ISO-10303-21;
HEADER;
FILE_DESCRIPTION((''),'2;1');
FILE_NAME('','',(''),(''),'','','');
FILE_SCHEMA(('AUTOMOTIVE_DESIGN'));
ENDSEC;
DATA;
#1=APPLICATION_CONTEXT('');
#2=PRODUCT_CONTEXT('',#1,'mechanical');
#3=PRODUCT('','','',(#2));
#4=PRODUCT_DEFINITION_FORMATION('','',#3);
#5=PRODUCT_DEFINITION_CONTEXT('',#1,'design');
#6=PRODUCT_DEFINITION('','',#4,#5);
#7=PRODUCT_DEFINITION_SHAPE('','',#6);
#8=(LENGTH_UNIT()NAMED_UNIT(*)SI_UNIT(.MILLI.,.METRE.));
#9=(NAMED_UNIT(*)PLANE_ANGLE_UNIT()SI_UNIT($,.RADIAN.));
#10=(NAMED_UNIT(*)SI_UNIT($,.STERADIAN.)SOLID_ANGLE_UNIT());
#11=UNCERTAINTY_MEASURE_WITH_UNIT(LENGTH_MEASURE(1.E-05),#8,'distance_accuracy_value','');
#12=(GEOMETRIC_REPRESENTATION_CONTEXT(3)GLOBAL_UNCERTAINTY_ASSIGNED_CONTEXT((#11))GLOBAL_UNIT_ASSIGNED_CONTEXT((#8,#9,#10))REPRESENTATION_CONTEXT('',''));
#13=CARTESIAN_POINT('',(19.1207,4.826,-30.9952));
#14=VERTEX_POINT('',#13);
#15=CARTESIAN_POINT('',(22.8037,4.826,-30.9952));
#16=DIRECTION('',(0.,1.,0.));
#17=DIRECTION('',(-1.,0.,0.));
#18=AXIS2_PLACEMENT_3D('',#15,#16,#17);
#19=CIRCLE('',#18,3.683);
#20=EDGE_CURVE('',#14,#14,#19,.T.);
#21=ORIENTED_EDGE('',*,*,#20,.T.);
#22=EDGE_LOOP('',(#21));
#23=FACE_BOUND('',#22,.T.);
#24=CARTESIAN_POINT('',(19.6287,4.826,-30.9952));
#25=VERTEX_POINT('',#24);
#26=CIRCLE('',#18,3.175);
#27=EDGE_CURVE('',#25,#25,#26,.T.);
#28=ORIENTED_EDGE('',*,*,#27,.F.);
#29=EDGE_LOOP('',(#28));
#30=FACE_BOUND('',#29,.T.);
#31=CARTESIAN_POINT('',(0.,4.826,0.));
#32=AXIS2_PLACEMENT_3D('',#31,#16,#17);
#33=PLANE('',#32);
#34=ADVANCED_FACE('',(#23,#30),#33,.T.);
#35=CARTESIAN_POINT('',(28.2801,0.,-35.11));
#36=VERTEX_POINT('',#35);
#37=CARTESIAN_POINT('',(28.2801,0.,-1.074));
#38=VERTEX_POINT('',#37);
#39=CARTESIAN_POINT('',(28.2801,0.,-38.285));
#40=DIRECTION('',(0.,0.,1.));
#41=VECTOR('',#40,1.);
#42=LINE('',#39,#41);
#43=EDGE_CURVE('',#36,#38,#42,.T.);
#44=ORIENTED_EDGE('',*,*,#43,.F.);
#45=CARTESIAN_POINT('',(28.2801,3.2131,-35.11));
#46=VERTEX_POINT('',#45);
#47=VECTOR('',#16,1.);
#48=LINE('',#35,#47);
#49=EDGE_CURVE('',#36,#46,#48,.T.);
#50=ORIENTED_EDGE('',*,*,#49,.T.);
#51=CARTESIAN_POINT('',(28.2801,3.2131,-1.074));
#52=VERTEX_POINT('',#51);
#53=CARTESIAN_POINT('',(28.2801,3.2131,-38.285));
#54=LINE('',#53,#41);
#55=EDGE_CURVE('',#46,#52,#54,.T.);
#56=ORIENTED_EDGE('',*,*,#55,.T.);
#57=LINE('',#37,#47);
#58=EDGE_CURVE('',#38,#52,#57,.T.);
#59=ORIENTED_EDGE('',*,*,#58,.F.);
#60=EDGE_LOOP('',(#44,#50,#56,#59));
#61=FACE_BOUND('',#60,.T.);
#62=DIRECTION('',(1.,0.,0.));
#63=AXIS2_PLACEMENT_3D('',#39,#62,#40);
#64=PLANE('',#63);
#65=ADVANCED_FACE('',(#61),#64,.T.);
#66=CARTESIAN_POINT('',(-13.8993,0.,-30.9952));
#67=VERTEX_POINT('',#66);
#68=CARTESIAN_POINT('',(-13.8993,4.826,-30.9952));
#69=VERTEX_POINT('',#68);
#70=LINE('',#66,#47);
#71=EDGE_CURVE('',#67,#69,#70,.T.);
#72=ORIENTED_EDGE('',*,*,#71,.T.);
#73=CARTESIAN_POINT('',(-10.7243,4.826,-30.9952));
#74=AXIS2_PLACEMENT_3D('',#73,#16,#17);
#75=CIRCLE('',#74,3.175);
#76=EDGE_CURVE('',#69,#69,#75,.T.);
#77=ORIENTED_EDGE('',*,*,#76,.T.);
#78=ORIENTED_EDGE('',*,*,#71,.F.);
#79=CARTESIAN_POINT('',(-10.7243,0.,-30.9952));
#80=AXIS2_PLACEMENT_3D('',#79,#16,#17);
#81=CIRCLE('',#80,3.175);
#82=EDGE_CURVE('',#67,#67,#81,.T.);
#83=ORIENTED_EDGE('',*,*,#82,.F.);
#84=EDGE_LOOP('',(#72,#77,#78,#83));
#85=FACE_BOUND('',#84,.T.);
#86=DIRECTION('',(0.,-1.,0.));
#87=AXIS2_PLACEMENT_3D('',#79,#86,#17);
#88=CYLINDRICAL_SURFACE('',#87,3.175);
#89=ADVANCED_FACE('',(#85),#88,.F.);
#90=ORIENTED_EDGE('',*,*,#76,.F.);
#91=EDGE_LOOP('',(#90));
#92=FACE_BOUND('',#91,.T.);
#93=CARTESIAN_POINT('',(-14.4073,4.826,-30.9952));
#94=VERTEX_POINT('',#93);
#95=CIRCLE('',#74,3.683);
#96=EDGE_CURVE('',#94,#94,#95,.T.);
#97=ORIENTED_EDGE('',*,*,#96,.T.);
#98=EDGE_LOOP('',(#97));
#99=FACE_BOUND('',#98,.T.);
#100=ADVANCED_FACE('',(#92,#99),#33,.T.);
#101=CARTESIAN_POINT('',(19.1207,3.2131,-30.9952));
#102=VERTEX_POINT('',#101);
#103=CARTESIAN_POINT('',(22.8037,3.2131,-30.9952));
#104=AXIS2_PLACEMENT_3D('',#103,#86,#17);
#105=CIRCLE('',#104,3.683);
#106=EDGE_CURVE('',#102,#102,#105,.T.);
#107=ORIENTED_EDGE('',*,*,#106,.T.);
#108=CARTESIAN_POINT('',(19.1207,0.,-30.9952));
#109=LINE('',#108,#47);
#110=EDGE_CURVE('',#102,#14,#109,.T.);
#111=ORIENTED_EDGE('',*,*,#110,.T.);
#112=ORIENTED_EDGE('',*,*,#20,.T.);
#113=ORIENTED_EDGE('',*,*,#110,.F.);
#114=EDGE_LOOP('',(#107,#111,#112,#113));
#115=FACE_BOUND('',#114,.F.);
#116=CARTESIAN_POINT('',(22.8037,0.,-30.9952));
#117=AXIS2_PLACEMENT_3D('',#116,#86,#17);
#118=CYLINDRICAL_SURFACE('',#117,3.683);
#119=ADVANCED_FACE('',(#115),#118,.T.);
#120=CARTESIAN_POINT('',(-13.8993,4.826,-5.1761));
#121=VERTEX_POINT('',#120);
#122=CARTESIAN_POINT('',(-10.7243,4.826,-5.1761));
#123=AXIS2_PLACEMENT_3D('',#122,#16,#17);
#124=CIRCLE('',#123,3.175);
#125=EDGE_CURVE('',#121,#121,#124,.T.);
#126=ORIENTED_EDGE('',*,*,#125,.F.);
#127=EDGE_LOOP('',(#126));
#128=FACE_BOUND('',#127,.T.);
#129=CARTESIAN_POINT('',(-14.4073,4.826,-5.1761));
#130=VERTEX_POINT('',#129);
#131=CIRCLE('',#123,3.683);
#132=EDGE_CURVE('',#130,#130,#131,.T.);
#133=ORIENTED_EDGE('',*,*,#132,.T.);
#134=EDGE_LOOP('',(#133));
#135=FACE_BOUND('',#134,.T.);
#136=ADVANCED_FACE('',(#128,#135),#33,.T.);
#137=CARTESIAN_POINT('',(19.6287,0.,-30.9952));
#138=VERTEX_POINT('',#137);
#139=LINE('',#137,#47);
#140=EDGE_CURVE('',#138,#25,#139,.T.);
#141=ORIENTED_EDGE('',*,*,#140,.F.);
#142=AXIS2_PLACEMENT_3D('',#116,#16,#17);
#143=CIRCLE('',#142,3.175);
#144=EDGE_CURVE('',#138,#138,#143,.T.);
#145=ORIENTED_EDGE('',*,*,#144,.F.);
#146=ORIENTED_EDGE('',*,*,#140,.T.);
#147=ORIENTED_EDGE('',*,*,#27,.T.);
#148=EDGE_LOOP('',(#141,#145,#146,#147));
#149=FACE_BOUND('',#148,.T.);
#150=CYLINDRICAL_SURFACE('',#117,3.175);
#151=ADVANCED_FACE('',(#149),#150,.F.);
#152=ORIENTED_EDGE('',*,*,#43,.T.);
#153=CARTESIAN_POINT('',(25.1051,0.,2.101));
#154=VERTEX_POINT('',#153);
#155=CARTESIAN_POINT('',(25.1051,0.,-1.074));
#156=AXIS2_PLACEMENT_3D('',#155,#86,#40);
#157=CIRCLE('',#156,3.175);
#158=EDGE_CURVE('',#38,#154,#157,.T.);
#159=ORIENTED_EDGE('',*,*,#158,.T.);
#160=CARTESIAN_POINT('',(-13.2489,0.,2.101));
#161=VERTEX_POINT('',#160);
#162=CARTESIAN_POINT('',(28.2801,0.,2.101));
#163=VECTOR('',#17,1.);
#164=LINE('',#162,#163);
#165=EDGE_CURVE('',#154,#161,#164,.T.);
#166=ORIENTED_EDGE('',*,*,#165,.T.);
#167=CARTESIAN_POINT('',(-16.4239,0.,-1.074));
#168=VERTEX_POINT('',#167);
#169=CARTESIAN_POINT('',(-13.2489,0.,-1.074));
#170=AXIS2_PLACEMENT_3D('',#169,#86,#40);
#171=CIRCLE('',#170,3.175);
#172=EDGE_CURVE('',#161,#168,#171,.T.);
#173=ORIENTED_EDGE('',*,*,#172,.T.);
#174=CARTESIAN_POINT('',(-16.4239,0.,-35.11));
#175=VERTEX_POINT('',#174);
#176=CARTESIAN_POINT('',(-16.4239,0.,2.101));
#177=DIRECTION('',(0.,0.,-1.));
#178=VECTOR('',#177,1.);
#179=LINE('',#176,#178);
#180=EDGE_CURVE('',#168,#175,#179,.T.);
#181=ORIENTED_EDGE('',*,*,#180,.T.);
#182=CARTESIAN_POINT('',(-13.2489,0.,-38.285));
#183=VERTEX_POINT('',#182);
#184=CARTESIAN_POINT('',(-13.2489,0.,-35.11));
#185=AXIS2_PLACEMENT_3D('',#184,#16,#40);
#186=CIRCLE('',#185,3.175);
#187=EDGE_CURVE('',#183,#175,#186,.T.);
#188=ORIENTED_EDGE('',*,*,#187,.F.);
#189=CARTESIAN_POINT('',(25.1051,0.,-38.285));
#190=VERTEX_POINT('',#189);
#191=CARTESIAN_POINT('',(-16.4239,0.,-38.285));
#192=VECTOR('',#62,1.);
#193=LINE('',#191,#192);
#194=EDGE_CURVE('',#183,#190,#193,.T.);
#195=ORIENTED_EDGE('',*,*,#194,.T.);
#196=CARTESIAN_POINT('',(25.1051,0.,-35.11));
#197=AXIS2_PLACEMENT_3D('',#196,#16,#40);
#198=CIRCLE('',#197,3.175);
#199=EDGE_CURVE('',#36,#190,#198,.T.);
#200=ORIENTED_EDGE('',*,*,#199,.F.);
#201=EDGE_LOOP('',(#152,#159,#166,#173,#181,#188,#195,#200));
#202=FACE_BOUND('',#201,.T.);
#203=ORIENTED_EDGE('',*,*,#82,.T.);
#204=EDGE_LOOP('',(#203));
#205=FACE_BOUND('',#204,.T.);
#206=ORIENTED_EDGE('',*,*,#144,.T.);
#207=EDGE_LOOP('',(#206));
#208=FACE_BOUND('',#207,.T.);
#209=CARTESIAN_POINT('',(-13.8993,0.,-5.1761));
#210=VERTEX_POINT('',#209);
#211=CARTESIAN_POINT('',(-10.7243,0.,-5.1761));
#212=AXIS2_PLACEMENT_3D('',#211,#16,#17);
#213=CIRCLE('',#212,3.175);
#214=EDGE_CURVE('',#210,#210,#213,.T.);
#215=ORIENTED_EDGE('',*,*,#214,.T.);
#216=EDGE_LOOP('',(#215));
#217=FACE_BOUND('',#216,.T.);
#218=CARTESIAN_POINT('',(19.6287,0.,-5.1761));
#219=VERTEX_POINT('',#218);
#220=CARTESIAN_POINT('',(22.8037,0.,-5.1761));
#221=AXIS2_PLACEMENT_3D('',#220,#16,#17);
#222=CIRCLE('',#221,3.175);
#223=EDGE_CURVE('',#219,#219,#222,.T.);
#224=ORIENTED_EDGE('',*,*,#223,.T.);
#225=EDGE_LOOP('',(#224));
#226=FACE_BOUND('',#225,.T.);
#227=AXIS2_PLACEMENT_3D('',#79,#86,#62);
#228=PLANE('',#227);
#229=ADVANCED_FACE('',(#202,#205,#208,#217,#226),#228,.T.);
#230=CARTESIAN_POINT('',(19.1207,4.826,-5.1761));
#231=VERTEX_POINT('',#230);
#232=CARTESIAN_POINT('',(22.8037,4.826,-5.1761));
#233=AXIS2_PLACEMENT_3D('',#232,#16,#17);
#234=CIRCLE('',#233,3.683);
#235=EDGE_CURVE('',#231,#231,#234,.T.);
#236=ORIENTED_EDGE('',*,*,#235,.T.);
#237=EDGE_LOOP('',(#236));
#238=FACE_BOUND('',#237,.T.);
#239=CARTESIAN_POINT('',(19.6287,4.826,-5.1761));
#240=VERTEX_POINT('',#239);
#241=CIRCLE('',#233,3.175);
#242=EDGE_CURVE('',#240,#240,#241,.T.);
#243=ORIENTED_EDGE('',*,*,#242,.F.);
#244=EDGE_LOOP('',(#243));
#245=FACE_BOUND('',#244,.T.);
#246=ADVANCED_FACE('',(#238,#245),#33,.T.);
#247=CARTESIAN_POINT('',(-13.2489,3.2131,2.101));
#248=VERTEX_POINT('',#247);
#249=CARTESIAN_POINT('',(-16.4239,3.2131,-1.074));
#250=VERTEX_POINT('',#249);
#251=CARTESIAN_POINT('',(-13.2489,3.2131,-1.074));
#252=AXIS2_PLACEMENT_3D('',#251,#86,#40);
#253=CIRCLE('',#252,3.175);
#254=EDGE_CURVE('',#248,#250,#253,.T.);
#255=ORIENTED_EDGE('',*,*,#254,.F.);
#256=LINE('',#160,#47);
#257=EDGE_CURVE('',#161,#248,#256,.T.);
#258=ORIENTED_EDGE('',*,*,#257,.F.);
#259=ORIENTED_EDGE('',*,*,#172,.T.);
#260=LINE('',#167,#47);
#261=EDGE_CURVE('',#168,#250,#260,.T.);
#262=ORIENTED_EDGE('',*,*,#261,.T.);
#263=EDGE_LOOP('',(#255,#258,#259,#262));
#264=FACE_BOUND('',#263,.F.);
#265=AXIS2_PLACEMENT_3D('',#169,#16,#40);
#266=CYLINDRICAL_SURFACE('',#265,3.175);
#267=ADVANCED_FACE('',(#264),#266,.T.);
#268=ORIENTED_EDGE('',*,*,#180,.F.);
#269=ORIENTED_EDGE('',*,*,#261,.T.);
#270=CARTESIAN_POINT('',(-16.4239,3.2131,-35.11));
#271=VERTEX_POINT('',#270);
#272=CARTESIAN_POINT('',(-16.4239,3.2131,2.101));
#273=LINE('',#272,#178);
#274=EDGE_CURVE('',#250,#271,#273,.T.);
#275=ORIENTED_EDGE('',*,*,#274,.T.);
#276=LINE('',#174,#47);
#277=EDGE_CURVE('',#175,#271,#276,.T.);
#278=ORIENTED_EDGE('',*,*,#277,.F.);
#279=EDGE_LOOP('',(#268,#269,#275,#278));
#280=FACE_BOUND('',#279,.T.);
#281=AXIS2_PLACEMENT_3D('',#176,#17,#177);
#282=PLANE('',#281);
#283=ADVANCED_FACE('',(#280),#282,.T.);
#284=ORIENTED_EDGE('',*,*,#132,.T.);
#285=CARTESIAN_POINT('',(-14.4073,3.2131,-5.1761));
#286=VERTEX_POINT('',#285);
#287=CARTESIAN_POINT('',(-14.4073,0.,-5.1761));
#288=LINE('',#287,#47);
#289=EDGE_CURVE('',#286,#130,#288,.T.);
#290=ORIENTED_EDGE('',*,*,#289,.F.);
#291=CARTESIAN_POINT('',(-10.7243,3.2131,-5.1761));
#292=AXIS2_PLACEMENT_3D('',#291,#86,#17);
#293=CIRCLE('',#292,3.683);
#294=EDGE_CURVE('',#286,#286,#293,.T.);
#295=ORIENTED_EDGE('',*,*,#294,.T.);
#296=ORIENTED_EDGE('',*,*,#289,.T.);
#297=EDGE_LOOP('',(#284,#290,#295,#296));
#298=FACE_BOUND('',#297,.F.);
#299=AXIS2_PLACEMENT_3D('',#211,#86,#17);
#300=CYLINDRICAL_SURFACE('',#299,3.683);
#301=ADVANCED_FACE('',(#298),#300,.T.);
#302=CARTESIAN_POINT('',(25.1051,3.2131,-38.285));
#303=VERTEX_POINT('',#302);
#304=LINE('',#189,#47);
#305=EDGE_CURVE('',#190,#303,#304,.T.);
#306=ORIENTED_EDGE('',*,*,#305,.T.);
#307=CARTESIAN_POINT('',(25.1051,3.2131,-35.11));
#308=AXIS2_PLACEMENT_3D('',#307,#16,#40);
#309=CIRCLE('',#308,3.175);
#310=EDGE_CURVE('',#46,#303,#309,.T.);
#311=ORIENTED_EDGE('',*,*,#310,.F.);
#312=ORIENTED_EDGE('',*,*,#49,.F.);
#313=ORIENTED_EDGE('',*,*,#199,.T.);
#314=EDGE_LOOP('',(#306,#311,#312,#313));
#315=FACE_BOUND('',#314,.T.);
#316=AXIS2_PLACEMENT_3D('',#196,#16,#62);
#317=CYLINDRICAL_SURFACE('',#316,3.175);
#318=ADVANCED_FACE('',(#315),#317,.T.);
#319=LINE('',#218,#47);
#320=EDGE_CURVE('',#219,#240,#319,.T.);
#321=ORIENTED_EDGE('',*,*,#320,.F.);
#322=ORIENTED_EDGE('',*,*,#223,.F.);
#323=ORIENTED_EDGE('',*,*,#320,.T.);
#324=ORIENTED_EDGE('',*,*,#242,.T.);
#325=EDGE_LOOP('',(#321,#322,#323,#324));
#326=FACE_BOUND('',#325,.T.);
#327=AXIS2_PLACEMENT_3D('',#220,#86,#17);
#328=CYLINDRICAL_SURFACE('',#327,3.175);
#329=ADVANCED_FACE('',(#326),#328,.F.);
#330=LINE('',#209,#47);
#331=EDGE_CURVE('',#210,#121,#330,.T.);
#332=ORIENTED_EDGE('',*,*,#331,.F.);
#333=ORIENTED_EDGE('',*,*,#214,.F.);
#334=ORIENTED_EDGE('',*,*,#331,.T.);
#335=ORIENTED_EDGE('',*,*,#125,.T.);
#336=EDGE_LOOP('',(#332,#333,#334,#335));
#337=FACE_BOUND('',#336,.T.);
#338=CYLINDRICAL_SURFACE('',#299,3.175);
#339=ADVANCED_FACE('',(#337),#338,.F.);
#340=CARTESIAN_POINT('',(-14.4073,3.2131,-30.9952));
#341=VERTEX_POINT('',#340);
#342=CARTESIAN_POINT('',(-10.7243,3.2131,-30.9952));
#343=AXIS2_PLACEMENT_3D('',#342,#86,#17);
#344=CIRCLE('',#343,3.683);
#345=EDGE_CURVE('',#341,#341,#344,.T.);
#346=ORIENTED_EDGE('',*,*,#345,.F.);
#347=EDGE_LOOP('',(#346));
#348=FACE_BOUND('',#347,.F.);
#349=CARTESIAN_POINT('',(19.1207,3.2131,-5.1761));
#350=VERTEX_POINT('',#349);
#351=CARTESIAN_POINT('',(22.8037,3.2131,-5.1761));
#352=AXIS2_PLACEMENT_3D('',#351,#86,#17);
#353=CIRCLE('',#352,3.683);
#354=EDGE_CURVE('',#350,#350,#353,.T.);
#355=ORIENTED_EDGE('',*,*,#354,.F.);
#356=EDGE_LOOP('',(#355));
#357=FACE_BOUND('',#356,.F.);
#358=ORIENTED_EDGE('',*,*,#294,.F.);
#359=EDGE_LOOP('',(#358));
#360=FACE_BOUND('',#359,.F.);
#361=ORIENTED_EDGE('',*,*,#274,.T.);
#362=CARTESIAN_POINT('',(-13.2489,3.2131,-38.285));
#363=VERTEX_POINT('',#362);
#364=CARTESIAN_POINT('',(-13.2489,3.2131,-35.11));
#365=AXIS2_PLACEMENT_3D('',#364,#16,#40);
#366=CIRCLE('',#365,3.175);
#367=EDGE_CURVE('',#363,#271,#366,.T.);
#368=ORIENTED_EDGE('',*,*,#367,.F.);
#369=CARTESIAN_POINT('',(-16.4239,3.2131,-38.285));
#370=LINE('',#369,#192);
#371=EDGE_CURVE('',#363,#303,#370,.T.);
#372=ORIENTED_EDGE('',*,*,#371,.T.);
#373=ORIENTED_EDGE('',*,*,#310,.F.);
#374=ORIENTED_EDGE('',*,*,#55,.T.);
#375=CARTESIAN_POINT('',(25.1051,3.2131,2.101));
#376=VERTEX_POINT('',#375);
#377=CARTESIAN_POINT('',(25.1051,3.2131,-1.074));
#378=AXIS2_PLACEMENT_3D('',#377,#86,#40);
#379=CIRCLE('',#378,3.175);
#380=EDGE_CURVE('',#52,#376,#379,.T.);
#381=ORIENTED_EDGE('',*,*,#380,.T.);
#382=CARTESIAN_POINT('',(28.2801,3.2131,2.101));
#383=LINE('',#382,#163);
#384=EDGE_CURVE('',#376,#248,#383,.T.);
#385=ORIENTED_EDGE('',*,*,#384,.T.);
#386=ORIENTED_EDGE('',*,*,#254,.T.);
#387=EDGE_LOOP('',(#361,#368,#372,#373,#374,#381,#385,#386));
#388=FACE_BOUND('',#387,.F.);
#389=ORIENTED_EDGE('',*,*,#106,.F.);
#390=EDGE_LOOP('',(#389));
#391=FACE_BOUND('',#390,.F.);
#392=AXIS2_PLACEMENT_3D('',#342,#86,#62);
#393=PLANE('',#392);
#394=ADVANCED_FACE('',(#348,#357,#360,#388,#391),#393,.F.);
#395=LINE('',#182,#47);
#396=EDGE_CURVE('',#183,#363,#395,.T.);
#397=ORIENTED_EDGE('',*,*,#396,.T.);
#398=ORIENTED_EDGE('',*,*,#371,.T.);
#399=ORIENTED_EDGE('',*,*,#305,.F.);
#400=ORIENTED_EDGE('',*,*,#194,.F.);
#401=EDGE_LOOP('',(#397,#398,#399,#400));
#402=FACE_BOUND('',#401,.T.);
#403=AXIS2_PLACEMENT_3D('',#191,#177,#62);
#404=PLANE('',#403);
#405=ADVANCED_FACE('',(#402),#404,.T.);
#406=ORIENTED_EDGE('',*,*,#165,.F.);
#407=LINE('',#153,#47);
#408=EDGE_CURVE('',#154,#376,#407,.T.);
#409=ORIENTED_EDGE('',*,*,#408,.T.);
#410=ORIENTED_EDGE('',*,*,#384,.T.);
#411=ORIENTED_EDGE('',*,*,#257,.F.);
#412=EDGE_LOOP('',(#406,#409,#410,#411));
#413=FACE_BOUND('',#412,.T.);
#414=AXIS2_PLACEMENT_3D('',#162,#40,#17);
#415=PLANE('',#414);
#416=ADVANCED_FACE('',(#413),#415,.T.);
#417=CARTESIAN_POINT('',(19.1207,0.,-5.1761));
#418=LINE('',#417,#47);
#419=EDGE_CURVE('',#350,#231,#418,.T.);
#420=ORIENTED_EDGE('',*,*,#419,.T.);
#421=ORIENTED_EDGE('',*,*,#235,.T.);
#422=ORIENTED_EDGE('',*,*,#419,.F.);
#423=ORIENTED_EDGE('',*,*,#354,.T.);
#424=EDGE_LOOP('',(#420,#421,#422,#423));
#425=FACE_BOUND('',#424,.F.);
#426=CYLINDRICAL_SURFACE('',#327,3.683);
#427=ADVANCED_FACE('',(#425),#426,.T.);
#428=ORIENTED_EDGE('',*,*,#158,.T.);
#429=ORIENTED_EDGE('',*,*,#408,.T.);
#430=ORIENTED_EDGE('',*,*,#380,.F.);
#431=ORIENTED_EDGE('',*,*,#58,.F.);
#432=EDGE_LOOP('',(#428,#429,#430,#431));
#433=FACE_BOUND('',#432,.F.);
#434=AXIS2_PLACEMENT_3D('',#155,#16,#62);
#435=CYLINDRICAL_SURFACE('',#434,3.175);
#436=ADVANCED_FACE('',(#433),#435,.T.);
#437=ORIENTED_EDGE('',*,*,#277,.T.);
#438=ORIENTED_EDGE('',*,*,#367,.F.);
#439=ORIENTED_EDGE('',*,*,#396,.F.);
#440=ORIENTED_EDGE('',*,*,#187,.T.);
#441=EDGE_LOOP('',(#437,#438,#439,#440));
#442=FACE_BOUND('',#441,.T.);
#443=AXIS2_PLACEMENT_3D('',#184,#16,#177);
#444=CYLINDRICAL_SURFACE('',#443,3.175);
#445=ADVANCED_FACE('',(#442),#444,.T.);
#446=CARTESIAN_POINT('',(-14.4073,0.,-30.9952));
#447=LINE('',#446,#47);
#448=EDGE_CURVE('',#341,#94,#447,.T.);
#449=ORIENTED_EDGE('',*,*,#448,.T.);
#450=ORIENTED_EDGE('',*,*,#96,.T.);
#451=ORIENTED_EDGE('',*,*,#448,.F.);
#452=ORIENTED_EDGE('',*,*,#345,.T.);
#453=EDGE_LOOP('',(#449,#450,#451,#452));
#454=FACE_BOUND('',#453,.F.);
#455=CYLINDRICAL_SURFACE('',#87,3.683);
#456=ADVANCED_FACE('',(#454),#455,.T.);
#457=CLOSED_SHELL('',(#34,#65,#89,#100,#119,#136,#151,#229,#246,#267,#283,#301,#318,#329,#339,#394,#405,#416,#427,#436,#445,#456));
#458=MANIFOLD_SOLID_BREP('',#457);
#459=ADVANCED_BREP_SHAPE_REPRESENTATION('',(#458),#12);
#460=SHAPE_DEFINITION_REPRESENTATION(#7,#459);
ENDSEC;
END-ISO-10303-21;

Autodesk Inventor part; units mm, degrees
ref_plane "YZ Plane" through (0, 0, 0) normal (1, 0, 0) x (0, 1, 0)
ref_plane "XZ Plane" through (0, 0, 0) normal (0, 1, 0) x (-1, 0, 0)
ref_plane "XY Plane" through (0, 0, 0) normal (0, 0, 1) x (1, 0, 0)
sketch "Sketch1" plane through (0, 0, 0) normal (0, 1, 0) x (-1, 0, 0)
  circle A0 centre (10.7243, -30.9952) radius 3.175 projected
  circle A1 centre (10.7243, -5.1761) radius 3.175 projected
  circle A2 centre (-22.8037, -5.1761) radius 3.175 projected
  circle A3 centre (-22.8037, -30.9952) radius 3.175 projected
  line L0 (16.4239, -38.285) -> (-28.2801, -38.285)
  line L1 (-28.2801, -38.285) -> (-28.2801, 2.101)
  line L2 (-28.2801, 2.101) -> (16.4239, 2.101)
  line L3 (16.4239, 2.101) -> (16.4239, -38.285)
  circle A4 centre (-22.8037, -30.9952) radius 3.683
  circle A5 centre (-22.8037, -5.1761) radius 3.683
  circle A6 centre (10.7243, -5.1761) radius 3.683
  circle A7 centre (10.7243, -30.9952) radius 3.683
  line L4 (-28.2801, 2.101) -> (16.4239, 2.101)
  line L5 (16.4239, 2.101) -> (16.4239, -38.285)
  line L6 (16.4239, -38.285) -> (-28.2801, -38.285)
  line L7 (-28.2801, -38.285) -> (-28.2801, 2.101)
  circle A8 centre (10.7243, -5.1761) radius 3.175
  circle A9 centre (10.7243, -30.9952) radius 3.175
  circle A10 centre (-22.8037, -30.9952) radius 3.175
  circle A11 centre (-22.8037, -5.1761) radius 3.175
  point P0 (0, 0)
  dimension "d0" = 44.704
  dimension "d1" = 40.386
  dimension "d2" = 7.2898
  dimension "d3" = 7.2771
  dimension "d4" = 7.366
  dimension "d5" = 7.366
  dimension "d6" = 7.366
  dimension "d7" = 7.366
extrude "Extrusion1" add sketch "Sketch1" along normal blind 4.826 contours A4 | A5 | A6 | A7
sketch "Sketch2" plane through (-10.7243, 0, -30.9952) normal (0, -1, 0) x (1, 0, 0)
  line L0 (39.0044, 33.0962) -> (-5.6996, 33.0962) projected
  line L1 (39.0044, -7.2898) -> (39.0044, 33.0962) projected
  line L2 (-5.6996, -7.2898) -> (39.0044, -7.2898) projected
  line L3 (-5.6996, 33.0962) -> (-5.6996, -7.2898) projected
  line L4 (39.0044, 33.0962) -> (-5.6996, 33.0962)
  line L5 (-5.6996, 33.0962) -> (-5.6996, -7.2898)
  line L6 (-5.6996, -7.2898) -> (39.0044, -7.2898)
  line L7 (39.0044, -7.2898) -> (39.0044, 33.0962)
  circle A0 centre (33.528, 0) radius 3.175 projected
  circle A1 centre (0, 0) radius 3.175 projected
  circle A2 centre (0, 25.8191) radius 3.175 projected
  circle A3 centre (33.528, 25.8191) radius 3.175 projected
  circle A4 centre (33.528, 0) radius 3.175
  circle A5 centre (0, 0) radius 3.175
  circle A6 centre (0, 25.8191) radius 3.175
  circle A7 centre (33.528, 25.8191) radius 3.175
  point P0 (10.7243, 30.9952)
extrude "Extrusion2" add sketch "Sketch2" against normal blind 3.2131
fillet "Fillet1" radius 3.175 4 edges at (-16.4239, 1.6065, 2.101) (28.2801, 1.6065, 2.101) (28.2801, 1.6065, -38.285) (-16.4239, 1.6065, -38.285)
thread "Thread1" size "1/4-20 UNC" class "2B" standard "ANSI Unified Screw Threads" full length
thread "Thread2" size "1/4-20 UNC" class "2B" standard "ANSI Unified Screw Threads" full length
thread "Thread3" size "1/4-20 UNC" class "2B" standard "ANSI Unified Screw Threads" full length
thread "Thread4" size "1/4-20 UNC" class "2B" standard "ANSI Unified Screw Threads" full length
properties part number "WheelBracketConnector"
